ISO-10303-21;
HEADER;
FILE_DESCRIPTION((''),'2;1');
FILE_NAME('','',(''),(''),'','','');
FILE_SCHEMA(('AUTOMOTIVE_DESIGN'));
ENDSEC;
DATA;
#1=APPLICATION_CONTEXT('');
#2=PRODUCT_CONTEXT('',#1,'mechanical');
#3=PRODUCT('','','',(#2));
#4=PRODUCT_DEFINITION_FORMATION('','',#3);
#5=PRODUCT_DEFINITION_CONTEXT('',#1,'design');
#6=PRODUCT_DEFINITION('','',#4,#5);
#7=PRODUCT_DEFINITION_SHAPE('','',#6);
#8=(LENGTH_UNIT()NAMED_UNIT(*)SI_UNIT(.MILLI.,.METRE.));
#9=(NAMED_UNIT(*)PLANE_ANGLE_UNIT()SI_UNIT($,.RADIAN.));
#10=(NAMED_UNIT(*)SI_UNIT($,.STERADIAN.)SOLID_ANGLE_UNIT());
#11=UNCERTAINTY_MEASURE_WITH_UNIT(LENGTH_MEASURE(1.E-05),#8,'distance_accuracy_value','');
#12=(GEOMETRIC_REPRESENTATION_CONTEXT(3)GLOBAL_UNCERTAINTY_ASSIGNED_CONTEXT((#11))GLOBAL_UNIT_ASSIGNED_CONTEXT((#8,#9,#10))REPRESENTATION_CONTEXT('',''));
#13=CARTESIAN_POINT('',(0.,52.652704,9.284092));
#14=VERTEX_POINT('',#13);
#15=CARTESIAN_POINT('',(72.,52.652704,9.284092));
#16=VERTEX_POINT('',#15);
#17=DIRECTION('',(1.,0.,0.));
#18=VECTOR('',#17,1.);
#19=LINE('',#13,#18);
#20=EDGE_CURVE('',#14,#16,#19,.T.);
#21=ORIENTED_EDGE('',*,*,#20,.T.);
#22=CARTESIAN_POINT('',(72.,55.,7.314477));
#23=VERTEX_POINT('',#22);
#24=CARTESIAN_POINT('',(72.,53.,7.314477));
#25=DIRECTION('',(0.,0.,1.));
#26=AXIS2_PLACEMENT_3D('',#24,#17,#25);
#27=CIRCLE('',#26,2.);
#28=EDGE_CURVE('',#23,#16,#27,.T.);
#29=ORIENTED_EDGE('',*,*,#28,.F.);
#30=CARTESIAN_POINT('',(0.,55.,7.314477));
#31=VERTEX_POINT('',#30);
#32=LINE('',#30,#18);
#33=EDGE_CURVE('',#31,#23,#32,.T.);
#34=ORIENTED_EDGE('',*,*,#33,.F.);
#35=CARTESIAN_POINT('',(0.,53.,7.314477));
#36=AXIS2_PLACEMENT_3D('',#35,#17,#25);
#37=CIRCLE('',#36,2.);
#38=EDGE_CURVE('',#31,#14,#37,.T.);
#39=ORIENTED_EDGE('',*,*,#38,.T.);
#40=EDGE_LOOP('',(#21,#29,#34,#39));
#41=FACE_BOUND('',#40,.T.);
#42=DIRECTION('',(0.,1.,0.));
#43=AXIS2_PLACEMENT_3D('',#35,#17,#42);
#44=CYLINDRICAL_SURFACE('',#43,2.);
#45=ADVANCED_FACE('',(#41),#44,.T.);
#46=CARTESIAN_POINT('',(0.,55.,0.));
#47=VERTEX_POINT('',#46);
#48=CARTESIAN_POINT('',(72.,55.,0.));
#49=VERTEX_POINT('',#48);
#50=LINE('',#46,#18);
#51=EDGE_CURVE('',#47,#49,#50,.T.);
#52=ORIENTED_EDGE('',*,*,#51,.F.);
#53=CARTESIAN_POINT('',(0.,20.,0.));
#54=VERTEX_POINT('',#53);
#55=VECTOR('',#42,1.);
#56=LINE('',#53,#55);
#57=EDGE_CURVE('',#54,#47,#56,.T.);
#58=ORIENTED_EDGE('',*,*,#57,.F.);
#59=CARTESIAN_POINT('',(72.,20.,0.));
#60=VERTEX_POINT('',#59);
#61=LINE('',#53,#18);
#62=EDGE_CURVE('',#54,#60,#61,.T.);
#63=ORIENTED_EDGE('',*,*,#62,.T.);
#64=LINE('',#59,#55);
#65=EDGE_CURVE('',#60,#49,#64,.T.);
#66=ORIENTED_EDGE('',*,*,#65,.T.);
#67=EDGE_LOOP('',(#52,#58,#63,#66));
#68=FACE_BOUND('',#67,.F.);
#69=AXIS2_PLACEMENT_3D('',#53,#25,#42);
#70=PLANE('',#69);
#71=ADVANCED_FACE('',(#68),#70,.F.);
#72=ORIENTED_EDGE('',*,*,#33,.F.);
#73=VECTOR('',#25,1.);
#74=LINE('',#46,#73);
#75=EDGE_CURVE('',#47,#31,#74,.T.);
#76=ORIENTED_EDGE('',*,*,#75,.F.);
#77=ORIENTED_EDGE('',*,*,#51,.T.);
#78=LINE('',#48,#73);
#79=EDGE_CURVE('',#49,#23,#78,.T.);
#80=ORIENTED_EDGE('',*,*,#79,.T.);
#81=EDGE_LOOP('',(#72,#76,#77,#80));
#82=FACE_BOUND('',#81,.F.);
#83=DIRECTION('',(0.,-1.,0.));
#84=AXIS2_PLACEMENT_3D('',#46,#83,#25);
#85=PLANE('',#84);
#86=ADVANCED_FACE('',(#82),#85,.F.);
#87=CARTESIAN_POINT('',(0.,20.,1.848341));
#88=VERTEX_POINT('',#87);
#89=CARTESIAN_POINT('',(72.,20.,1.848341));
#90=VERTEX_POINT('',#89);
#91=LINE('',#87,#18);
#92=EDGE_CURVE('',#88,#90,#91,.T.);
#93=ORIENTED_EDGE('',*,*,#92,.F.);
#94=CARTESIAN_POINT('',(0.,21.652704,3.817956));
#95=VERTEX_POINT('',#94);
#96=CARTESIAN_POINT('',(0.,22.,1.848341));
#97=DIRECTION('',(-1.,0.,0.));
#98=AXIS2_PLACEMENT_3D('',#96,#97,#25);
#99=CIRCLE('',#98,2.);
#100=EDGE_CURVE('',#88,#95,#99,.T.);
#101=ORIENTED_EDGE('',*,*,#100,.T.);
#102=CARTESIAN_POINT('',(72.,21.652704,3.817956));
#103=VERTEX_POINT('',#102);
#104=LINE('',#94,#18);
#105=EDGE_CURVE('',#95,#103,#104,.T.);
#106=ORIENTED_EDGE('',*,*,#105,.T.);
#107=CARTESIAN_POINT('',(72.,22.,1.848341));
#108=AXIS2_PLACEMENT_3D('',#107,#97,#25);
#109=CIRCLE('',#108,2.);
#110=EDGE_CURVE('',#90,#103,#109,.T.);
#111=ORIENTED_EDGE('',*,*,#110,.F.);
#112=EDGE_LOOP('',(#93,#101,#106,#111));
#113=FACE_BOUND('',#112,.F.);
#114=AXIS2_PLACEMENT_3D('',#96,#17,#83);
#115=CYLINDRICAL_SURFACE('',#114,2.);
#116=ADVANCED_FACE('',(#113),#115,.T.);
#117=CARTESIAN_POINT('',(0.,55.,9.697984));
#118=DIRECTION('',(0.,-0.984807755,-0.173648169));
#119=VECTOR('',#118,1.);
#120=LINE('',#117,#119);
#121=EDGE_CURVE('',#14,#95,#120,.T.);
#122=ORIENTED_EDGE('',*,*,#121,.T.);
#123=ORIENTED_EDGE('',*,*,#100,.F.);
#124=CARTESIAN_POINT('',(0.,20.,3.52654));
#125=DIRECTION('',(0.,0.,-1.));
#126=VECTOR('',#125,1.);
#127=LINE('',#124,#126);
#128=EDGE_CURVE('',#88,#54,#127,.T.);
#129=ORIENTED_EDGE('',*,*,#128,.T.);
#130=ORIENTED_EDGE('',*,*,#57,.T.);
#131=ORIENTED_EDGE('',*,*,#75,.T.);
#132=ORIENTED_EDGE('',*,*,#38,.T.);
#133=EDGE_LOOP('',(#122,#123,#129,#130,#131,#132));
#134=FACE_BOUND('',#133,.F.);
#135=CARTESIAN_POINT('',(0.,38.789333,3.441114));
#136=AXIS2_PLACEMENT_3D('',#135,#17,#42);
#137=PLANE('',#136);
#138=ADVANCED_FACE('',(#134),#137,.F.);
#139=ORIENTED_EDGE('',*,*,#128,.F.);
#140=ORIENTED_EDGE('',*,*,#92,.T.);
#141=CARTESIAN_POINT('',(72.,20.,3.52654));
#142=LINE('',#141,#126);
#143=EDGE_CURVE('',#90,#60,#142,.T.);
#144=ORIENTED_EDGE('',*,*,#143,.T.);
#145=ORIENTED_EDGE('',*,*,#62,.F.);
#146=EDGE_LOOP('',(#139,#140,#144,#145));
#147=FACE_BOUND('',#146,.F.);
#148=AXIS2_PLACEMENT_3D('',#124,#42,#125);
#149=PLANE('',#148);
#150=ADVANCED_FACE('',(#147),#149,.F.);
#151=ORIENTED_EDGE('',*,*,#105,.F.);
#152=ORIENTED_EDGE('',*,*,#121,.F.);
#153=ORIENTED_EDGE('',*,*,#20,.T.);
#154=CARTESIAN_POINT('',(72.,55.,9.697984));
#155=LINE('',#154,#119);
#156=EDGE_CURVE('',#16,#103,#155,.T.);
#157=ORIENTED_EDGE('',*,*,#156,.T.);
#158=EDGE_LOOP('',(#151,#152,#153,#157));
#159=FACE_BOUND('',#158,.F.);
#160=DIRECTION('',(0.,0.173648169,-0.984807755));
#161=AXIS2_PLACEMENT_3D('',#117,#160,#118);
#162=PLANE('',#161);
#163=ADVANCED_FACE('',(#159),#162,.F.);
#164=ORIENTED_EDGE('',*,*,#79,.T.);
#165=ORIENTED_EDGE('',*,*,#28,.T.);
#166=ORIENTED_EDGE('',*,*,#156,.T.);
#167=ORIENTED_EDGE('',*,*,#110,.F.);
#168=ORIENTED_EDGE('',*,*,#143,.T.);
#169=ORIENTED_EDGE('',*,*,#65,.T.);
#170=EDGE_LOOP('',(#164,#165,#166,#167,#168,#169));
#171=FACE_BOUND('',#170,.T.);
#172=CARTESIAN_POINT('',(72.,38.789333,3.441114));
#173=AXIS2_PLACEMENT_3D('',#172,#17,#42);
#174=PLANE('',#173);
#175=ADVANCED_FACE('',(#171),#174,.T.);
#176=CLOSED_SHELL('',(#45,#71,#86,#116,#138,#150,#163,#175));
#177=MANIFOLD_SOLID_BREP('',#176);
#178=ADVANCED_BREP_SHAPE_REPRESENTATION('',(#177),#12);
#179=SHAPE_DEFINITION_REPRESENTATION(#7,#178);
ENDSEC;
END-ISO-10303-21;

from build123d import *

# Parameters (mm, degrees)
F1_DEPTH = 72
F2_R     = 2


with BuildPart() as f1:
    # F0 (on Right) → F1 (new body)
    with BuildSketch(Plane.YZ):
        Polygon((20, 3.52654), (20, 0), (55, 0), (55, 9.697984), align=None)
    extrude(amount=F1_DEPTH)

    # F2
    f2_edges = [f1.edges().sort_by_distance(p)[0] for p in [
        (36, 55, 9.697984),
        (36, 20, 3.52654),
    ]]
    fillet(f2_edges, radius=F2_R)


solid = f1.part
